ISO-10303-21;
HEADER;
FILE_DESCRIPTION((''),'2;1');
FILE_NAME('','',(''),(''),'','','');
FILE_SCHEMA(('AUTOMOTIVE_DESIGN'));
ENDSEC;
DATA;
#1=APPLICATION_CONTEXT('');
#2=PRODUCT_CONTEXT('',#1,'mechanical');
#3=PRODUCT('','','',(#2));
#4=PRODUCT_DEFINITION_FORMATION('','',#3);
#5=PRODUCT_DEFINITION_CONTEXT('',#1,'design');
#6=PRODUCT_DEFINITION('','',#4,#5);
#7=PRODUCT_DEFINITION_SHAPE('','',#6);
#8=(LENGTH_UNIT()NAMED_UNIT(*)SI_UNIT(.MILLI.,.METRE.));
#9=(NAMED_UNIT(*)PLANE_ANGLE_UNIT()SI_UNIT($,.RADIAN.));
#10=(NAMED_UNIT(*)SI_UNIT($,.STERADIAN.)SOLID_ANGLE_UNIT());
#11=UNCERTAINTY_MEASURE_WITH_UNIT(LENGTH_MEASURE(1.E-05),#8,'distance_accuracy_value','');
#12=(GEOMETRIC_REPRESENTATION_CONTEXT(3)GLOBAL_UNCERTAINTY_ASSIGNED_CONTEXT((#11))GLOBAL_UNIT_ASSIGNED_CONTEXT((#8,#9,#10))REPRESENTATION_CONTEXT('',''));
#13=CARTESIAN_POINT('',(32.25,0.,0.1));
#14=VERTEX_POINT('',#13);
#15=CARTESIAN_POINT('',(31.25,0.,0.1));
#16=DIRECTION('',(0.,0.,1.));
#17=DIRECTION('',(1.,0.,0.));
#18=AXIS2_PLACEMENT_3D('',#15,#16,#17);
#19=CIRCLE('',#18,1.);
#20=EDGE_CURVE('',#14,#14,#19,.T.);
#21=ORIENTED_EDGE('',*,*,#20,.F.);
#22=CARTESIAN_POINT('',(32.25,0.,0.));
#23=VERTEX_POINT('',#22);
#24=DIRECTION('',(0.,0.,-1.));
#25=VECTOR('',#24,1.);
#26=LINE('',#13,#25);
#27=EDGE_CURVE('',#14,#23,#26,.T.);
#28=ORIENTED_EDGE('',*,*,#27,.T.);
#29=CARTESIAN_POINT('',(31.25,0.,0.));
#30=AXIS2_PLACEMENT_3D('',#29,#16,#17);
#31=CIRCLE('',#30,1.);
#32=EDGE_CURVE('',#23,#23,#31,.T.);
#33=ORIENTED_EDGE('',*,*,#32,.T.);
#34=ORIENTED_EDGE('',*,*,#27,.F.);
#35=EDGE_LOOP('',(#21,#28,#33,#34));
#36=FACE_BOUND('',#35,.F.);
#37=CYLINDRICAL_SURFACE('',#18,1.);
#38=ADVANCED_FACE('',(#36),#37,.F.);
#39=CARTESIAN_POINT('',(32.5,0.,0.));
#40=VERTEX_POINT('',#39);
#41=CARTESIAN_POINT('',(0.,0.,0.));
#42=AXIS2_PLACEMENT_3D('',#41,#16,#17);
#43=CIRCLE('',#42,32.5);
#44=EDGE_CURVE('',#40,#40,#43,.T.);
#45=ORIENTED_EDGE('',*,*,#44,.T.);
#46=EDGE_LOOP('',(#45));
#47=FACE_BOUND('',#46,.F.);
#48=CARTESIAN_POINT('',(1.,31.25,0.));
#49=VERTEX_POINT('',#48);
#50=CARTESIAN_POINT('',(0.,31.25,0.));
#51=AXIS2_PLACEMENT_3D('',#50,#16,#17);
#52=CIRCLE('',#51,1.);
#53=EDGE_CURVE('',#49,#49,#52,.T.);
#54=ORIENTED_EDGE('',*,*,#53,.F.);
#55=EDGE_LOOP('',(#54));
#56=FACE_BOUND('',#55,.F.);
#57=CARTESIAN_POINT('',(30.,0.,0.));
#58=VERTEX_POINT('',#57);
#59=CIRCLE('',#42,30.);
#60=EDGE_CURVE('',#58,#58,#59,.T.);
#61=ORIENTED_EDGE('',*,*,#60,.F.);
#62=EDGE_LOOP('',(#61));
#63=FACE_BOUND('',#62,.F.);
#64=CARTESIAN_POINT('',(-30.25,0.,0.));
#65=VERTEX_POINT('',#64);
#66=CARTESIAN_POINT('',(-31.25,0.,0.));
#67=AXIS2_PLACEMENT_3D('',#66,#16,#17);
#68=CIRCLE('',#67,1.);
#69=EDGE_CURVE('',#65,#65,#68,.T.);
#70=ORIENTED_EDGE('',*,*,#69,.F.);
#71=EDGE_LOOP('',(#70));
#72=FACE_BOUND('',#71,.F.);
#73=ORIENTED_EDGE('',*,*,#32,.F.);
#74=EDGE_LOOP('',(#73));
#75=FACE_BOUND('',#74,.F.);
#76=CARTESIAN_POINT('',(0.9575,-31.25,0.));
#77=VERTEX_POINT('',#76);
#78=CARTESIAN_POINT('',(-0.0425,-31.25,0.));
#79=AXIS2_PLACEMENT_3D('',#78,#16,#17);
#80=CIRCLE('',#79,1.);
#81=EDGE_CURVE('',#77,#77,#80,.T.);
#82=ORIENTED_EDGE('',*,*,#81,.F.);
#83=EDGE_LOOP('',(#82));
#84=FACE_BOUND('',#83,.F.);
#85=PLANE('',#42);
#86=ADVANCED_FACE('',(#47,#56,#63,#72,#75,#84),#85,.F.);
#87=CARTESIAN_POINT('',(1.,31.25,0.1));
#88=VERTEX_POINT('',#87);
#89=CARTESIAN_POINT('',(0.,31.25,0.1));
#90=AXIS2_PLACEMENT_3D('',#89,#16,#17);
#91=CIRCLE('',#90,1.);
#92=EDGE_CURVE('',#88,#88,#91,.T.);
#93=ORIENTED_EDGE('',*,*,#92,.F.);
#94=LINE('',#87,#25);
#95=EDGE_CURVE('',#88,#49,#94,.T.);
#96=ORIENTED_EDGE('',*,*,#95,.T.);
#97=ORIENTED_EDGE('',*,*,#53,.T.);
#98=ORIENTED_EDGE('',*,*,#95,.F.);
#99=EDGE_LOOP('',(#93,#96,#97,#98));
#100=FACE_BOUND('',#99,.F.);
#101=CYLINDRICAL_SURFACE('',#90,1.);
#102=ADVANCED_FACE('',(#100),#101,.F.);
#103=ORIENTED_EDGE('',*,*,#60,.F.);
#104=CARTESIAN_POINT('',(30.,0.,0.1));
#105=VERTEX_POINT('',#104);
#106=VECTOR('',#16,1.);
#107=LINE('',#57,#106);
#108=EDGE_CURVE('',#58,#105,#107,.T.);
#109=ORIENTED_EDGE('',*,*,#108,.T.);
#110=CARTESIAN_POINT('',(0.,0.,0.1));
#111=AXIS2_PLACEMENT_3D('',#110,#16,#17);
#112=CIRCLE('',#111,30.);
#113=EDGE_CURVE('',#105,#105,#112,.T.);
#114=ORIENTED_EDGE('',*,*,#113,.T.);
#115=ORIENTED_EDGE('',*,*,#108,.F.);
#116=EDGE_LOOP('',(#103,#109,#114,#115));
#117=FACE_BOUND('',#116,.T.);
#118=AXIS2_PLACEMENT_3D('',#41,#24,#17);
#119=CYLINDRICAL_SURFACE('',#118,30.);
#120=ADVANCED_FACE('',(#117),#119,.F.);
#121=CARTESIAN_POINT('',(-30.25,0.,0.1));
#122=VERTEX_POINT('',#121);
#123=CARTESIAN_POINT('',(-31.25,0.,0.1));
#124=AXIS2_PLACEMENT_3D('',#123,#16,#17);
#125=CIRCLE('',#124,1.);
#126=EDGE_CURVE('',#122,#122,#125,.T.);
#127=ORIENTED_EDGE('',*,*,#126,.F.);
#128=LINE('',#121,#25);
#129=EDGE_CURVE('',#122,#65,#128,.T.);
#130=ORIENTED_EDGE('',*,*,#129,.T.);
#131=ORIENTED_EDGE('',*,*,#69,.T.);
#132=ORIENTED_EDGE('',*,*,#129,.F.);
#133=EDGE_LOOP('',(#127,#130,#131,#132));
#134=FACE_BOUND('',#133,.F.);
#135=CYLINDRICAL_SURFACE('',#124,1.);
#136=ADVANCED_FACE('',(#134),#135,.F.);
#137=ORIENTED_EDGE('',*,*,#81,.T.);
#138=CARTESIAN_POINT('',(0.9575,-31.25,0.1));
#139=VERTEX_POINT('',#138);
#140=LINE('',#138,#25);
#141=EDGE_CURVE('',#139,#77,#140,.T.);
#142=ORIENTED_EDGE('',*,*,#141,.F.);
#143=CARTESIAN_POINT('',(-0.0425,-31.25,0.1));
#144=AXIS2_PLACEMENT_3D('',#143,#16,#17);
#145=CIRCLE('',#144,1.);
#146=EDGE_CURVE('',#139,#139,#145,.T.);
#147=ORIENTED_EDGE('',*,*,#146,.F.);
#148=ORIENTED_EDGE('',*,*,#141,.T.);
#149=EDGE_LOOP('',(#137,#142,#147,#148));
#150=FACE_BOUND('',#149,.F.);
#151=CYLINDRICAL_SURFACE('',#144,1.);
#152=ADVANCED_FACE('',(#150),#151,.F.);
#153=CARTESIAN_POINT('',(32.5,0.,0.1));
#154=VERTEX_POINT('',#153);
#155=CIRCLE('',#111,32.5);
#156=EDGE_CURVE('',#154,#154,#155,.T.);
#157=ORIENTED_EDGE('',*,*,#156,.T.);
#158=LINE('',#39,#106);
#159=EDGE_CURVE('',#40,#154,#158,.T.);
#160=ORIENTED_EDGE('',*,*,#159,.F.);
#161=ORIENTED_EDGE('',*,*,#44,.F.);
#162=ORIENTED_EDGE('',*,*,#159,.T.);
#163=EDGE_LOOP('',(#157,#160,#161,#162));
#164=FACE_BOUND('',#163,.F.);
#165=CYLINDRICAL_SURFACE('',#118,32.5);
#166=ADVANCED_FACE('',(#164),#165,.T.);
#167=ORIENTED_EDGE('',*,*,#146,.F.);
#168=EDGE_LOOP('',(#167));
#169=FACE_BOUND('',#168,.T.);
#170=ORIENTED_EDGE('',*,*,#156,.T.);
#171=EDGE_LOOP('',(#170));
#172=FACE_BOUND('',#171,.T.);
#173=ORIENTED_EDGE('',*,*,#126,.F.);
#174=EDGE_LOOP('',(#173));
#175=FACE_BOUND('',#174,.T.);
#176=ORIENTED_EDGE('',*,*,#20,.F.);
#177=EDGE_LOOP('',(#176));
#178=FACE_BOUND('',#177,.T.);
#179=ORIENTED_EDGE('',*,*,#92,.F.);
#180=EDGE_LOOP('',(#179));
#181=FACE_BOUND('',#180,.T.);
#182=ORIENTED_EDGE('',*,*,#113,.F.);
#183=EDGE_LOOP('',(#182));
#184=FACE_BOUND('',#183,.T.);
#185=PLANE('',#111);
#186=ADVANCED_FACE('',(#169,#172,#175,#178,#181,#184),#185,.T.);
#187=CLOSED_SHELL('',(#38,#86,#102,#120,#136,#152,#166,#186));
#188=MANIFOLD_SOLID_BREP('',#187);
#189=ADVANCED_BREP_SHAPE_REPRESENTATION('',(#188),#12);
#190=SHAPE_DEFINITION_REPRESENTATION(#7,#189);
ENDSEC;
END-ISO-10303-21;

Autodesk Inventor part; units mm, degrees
ref_plane "YZ Plane" through (0, 0, 0) normal (1, 0, 0) x (0, 1, 0)
ref_plane "XZ Plane" through (0, 0, 0) normal (0, 1, 0) x (-1, 0, 0)
ref_plane "XY Plane" through (0, 0, 0) normal (0, 0, 1) x (1, 0, 0)
sketch "Sketch1" plane through (0, 0, 0) normal (0, 0, 1) x (1, 0, 0)
  circle A0 centre (0, 0) radius 30
  circle A1 centre (0, 0) radius 32.5
  dimension "d0" = 60
  dimension "d1" = 2.5
extrude "Extrusion1" add sketch "Sketch1" along normal blind 0.1
sketch "Sketch2" plane through (0, 0, 0.1) normal (0, 0, 1) x (1, 0, 0)
  circle A0 centre (0, 31.25) radius 1
  circle A1 centre (0, 0) radius 32.5 projected
  circle A2 centre (31.25, 0) radius 1
  circle A3 centre (-31.25, 0) radius 1
  circle A4 centre (-0.0425, -31.25) radius 1
  dimension "d4" = 2
  dimension "d5" = 0.25
  dimension "d6" = 2
  dimension "d7" = 0.25
  dimension "d8" = 2
  dimension "d9" = 0.25
  dimension "d10" = 2
  dimension "d11" = 0.25
extrude "Extrusion2" cut sketch "Sketch2" against normal blind 0.2 contours A0 | A2 | A3 | A4
properties part number "cage_electrode"
